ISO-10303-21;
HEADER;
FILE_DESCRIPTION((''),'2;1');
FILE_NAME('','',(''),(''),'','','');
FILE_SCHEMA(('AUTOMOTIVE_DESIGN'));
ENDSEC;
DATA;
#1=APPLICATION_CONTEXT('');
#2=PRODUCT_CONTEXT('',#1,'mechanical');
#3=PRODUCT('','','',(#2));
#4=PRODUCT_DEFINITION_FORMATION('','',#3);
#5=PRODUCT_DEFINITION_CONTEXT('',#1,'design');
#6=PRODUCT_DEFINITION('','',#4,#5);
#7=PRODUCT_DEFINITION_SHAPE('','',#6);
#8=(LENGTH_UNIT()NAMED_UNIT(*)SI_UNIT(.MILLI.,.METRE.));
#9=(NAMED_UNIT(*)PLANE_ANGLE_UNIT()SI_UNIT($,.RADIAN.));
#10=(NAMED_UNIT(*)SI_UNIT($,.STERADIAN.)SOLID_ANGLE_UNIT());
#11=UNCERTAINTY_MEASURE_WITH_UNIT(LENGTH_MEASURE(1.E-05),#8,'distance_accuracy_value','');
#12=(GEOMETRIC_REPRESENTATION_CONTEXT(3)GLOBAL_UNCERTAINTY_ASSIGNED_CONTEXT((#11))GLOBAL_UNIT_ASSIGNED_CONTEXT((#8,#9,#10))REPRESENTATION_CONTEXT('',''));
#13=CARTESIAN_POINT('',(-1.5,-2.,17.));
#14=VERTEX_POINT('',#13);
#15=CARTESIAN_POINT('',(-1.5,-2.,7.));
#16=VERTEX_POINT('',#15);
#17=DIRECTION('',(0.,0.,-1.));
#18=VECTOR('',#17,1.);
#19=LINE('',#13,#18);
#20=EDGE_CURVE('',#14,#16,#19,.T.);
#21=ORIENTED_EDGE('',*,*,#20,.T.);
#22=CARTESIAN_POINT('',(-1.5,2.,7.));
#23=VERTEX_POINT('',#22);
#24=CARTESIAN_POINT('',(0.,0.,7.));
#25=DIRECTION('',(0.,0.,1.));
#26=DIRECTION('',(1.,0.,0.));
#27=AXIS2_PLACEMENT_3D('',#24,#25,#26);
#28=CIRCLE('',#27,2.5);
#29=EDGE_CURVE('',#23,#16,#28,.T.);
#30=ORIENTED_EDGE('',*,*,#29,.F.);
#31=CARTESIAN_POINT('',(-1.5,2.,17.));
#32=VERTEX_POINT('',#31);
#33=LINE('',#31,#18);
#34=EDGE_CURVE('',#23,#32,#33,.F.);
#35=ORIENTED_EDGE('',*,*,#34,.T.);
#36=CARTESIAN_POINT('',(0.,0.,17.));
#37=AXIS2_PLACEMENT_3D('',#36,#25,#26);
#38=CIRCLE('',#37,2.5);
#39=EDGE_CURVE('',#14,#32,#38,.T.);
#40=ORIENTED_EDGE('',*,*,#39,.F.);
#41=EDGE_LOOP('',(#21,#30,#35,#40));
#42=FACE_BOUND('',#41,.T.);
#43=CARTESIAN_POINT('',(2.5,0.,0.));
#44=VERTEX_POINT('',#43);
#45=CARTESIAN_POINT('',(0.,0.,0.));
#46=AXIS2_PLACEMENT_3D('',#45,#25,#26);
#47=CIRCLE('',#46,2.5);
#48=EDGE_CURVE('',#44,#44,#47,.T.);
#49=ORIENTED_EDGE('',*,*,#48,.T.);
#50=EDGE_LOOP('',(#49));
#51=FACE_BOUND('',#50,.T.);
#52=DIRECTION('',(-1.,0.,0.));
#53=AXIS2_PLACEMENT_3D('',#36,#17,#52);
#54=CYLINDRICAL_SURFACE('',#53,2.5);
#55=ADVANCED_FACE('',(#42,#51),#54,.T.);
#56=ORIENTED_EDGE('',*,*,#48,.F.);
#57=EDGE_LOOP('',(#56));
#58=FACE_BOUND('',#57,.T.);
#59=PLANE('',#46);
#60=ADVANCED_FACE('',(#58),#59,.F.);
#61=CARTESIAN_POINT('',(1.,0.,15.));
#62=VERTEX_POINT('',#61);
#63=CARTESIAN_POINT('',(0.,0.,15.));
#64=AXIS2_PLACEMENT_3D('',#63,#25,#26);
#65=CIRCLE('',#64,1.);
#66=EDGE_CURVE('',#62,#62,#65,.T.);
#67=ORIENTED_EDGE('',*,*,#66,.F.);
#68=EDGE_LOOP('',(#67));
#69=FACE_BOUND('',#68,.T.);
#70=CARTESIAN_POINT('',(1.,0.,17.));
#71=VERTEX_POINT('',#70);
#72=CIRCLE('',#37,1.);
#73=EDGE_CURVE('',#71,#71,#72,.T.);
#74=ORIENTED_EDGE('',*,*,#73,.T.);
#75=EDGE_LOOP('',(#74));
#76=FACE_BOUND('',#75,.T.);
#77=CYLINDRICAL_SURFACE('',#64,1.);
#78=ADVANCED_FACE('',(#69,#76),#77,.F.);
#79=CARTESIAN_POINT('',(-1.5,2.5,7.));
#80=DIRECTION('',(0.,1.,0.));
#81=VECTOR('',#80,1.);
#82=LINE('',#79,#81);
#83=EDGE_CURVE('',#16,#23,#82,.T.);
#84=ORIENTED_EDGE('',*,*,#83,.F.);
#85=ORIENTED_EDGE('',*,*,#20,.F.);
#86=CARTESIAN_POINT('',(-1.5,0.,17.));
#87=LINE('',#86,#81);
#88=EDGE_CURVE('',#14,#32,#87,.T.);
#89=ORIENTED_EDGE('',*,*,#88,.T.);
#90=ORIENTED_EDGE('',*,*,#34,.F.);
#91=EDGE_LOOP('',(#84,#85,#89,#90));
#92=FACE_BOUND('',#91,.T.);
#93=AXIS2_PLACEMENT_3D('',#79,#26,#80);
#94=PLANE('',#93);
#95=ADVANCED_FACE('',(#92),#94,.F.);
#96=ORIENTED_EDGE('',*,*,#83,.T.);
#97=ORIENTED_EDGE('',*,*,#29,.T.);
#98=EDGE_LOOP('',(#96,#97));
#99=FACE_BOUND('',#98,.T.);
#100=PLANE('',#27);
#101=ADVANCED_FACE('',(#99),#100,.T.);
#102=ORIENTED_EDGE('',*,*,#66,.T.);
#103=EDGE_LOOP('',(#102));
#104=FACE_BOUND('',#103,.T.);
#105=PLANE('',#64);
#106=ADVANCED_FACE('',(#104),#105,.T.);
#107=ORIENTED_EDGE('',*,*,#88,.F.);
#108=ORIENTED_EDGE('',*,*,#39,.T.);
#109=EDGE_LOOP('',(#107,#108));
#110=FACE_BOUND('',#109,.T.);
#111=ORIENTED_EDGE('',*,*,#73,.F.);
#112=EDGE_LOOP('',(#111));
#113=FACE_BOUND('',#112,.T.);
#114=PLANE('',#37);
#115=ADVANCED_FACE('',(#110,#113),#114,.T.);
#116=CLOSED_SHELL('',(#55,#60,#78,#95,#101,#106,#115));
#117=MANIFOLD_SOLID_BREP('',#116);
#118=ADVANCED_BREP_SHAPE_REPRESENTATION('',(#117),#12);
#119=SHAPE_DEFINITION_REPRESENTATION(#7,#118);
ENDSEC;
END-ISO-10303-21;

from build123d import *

# Parameters (mm, degrees)
SKETCH1_R           = 2.5
BOSS_EXTRUDE1_DEPTH = 17
SKETCH2_W           = 1
SKETCH2_H           = 5
CUT_EXTRUDE1_DEPTH  = 10
SKETCH3_R           = 1
CUT_EXTRUDE2_DEPTH  = 2


with BuildPart() as part:
    # Sketch1 → Boss-Extrude1 (new body)
    with BuildSketch(Plane.XY):
        Circle(SKETCH1_R)
    extrude(amount=BOSS_EXTRUDE1_DEPTH)

    # Sketch2 → Cut-Extrude1 (cut)
    with BuildSketch(Plane.XY.offset(17)):
        with Locations((-2, 0)):
            Rectangle(SKETCH2_W, SKETCH2_H)
    extrude(amount=-CUT_EXTRUDE1_DEPTH, mode=Mode.SUBTRACT)

    # Sketch3 → Cut-Extrude2 (cut)
    with BuildSketch(Plane.XY.offset(17)):
        Circle(SKETCH3_R)
    extrude(amount=-CUT_EXTRUDE2_DEPTH, mode=Mode.SUBTRACT)


solid = part.part
